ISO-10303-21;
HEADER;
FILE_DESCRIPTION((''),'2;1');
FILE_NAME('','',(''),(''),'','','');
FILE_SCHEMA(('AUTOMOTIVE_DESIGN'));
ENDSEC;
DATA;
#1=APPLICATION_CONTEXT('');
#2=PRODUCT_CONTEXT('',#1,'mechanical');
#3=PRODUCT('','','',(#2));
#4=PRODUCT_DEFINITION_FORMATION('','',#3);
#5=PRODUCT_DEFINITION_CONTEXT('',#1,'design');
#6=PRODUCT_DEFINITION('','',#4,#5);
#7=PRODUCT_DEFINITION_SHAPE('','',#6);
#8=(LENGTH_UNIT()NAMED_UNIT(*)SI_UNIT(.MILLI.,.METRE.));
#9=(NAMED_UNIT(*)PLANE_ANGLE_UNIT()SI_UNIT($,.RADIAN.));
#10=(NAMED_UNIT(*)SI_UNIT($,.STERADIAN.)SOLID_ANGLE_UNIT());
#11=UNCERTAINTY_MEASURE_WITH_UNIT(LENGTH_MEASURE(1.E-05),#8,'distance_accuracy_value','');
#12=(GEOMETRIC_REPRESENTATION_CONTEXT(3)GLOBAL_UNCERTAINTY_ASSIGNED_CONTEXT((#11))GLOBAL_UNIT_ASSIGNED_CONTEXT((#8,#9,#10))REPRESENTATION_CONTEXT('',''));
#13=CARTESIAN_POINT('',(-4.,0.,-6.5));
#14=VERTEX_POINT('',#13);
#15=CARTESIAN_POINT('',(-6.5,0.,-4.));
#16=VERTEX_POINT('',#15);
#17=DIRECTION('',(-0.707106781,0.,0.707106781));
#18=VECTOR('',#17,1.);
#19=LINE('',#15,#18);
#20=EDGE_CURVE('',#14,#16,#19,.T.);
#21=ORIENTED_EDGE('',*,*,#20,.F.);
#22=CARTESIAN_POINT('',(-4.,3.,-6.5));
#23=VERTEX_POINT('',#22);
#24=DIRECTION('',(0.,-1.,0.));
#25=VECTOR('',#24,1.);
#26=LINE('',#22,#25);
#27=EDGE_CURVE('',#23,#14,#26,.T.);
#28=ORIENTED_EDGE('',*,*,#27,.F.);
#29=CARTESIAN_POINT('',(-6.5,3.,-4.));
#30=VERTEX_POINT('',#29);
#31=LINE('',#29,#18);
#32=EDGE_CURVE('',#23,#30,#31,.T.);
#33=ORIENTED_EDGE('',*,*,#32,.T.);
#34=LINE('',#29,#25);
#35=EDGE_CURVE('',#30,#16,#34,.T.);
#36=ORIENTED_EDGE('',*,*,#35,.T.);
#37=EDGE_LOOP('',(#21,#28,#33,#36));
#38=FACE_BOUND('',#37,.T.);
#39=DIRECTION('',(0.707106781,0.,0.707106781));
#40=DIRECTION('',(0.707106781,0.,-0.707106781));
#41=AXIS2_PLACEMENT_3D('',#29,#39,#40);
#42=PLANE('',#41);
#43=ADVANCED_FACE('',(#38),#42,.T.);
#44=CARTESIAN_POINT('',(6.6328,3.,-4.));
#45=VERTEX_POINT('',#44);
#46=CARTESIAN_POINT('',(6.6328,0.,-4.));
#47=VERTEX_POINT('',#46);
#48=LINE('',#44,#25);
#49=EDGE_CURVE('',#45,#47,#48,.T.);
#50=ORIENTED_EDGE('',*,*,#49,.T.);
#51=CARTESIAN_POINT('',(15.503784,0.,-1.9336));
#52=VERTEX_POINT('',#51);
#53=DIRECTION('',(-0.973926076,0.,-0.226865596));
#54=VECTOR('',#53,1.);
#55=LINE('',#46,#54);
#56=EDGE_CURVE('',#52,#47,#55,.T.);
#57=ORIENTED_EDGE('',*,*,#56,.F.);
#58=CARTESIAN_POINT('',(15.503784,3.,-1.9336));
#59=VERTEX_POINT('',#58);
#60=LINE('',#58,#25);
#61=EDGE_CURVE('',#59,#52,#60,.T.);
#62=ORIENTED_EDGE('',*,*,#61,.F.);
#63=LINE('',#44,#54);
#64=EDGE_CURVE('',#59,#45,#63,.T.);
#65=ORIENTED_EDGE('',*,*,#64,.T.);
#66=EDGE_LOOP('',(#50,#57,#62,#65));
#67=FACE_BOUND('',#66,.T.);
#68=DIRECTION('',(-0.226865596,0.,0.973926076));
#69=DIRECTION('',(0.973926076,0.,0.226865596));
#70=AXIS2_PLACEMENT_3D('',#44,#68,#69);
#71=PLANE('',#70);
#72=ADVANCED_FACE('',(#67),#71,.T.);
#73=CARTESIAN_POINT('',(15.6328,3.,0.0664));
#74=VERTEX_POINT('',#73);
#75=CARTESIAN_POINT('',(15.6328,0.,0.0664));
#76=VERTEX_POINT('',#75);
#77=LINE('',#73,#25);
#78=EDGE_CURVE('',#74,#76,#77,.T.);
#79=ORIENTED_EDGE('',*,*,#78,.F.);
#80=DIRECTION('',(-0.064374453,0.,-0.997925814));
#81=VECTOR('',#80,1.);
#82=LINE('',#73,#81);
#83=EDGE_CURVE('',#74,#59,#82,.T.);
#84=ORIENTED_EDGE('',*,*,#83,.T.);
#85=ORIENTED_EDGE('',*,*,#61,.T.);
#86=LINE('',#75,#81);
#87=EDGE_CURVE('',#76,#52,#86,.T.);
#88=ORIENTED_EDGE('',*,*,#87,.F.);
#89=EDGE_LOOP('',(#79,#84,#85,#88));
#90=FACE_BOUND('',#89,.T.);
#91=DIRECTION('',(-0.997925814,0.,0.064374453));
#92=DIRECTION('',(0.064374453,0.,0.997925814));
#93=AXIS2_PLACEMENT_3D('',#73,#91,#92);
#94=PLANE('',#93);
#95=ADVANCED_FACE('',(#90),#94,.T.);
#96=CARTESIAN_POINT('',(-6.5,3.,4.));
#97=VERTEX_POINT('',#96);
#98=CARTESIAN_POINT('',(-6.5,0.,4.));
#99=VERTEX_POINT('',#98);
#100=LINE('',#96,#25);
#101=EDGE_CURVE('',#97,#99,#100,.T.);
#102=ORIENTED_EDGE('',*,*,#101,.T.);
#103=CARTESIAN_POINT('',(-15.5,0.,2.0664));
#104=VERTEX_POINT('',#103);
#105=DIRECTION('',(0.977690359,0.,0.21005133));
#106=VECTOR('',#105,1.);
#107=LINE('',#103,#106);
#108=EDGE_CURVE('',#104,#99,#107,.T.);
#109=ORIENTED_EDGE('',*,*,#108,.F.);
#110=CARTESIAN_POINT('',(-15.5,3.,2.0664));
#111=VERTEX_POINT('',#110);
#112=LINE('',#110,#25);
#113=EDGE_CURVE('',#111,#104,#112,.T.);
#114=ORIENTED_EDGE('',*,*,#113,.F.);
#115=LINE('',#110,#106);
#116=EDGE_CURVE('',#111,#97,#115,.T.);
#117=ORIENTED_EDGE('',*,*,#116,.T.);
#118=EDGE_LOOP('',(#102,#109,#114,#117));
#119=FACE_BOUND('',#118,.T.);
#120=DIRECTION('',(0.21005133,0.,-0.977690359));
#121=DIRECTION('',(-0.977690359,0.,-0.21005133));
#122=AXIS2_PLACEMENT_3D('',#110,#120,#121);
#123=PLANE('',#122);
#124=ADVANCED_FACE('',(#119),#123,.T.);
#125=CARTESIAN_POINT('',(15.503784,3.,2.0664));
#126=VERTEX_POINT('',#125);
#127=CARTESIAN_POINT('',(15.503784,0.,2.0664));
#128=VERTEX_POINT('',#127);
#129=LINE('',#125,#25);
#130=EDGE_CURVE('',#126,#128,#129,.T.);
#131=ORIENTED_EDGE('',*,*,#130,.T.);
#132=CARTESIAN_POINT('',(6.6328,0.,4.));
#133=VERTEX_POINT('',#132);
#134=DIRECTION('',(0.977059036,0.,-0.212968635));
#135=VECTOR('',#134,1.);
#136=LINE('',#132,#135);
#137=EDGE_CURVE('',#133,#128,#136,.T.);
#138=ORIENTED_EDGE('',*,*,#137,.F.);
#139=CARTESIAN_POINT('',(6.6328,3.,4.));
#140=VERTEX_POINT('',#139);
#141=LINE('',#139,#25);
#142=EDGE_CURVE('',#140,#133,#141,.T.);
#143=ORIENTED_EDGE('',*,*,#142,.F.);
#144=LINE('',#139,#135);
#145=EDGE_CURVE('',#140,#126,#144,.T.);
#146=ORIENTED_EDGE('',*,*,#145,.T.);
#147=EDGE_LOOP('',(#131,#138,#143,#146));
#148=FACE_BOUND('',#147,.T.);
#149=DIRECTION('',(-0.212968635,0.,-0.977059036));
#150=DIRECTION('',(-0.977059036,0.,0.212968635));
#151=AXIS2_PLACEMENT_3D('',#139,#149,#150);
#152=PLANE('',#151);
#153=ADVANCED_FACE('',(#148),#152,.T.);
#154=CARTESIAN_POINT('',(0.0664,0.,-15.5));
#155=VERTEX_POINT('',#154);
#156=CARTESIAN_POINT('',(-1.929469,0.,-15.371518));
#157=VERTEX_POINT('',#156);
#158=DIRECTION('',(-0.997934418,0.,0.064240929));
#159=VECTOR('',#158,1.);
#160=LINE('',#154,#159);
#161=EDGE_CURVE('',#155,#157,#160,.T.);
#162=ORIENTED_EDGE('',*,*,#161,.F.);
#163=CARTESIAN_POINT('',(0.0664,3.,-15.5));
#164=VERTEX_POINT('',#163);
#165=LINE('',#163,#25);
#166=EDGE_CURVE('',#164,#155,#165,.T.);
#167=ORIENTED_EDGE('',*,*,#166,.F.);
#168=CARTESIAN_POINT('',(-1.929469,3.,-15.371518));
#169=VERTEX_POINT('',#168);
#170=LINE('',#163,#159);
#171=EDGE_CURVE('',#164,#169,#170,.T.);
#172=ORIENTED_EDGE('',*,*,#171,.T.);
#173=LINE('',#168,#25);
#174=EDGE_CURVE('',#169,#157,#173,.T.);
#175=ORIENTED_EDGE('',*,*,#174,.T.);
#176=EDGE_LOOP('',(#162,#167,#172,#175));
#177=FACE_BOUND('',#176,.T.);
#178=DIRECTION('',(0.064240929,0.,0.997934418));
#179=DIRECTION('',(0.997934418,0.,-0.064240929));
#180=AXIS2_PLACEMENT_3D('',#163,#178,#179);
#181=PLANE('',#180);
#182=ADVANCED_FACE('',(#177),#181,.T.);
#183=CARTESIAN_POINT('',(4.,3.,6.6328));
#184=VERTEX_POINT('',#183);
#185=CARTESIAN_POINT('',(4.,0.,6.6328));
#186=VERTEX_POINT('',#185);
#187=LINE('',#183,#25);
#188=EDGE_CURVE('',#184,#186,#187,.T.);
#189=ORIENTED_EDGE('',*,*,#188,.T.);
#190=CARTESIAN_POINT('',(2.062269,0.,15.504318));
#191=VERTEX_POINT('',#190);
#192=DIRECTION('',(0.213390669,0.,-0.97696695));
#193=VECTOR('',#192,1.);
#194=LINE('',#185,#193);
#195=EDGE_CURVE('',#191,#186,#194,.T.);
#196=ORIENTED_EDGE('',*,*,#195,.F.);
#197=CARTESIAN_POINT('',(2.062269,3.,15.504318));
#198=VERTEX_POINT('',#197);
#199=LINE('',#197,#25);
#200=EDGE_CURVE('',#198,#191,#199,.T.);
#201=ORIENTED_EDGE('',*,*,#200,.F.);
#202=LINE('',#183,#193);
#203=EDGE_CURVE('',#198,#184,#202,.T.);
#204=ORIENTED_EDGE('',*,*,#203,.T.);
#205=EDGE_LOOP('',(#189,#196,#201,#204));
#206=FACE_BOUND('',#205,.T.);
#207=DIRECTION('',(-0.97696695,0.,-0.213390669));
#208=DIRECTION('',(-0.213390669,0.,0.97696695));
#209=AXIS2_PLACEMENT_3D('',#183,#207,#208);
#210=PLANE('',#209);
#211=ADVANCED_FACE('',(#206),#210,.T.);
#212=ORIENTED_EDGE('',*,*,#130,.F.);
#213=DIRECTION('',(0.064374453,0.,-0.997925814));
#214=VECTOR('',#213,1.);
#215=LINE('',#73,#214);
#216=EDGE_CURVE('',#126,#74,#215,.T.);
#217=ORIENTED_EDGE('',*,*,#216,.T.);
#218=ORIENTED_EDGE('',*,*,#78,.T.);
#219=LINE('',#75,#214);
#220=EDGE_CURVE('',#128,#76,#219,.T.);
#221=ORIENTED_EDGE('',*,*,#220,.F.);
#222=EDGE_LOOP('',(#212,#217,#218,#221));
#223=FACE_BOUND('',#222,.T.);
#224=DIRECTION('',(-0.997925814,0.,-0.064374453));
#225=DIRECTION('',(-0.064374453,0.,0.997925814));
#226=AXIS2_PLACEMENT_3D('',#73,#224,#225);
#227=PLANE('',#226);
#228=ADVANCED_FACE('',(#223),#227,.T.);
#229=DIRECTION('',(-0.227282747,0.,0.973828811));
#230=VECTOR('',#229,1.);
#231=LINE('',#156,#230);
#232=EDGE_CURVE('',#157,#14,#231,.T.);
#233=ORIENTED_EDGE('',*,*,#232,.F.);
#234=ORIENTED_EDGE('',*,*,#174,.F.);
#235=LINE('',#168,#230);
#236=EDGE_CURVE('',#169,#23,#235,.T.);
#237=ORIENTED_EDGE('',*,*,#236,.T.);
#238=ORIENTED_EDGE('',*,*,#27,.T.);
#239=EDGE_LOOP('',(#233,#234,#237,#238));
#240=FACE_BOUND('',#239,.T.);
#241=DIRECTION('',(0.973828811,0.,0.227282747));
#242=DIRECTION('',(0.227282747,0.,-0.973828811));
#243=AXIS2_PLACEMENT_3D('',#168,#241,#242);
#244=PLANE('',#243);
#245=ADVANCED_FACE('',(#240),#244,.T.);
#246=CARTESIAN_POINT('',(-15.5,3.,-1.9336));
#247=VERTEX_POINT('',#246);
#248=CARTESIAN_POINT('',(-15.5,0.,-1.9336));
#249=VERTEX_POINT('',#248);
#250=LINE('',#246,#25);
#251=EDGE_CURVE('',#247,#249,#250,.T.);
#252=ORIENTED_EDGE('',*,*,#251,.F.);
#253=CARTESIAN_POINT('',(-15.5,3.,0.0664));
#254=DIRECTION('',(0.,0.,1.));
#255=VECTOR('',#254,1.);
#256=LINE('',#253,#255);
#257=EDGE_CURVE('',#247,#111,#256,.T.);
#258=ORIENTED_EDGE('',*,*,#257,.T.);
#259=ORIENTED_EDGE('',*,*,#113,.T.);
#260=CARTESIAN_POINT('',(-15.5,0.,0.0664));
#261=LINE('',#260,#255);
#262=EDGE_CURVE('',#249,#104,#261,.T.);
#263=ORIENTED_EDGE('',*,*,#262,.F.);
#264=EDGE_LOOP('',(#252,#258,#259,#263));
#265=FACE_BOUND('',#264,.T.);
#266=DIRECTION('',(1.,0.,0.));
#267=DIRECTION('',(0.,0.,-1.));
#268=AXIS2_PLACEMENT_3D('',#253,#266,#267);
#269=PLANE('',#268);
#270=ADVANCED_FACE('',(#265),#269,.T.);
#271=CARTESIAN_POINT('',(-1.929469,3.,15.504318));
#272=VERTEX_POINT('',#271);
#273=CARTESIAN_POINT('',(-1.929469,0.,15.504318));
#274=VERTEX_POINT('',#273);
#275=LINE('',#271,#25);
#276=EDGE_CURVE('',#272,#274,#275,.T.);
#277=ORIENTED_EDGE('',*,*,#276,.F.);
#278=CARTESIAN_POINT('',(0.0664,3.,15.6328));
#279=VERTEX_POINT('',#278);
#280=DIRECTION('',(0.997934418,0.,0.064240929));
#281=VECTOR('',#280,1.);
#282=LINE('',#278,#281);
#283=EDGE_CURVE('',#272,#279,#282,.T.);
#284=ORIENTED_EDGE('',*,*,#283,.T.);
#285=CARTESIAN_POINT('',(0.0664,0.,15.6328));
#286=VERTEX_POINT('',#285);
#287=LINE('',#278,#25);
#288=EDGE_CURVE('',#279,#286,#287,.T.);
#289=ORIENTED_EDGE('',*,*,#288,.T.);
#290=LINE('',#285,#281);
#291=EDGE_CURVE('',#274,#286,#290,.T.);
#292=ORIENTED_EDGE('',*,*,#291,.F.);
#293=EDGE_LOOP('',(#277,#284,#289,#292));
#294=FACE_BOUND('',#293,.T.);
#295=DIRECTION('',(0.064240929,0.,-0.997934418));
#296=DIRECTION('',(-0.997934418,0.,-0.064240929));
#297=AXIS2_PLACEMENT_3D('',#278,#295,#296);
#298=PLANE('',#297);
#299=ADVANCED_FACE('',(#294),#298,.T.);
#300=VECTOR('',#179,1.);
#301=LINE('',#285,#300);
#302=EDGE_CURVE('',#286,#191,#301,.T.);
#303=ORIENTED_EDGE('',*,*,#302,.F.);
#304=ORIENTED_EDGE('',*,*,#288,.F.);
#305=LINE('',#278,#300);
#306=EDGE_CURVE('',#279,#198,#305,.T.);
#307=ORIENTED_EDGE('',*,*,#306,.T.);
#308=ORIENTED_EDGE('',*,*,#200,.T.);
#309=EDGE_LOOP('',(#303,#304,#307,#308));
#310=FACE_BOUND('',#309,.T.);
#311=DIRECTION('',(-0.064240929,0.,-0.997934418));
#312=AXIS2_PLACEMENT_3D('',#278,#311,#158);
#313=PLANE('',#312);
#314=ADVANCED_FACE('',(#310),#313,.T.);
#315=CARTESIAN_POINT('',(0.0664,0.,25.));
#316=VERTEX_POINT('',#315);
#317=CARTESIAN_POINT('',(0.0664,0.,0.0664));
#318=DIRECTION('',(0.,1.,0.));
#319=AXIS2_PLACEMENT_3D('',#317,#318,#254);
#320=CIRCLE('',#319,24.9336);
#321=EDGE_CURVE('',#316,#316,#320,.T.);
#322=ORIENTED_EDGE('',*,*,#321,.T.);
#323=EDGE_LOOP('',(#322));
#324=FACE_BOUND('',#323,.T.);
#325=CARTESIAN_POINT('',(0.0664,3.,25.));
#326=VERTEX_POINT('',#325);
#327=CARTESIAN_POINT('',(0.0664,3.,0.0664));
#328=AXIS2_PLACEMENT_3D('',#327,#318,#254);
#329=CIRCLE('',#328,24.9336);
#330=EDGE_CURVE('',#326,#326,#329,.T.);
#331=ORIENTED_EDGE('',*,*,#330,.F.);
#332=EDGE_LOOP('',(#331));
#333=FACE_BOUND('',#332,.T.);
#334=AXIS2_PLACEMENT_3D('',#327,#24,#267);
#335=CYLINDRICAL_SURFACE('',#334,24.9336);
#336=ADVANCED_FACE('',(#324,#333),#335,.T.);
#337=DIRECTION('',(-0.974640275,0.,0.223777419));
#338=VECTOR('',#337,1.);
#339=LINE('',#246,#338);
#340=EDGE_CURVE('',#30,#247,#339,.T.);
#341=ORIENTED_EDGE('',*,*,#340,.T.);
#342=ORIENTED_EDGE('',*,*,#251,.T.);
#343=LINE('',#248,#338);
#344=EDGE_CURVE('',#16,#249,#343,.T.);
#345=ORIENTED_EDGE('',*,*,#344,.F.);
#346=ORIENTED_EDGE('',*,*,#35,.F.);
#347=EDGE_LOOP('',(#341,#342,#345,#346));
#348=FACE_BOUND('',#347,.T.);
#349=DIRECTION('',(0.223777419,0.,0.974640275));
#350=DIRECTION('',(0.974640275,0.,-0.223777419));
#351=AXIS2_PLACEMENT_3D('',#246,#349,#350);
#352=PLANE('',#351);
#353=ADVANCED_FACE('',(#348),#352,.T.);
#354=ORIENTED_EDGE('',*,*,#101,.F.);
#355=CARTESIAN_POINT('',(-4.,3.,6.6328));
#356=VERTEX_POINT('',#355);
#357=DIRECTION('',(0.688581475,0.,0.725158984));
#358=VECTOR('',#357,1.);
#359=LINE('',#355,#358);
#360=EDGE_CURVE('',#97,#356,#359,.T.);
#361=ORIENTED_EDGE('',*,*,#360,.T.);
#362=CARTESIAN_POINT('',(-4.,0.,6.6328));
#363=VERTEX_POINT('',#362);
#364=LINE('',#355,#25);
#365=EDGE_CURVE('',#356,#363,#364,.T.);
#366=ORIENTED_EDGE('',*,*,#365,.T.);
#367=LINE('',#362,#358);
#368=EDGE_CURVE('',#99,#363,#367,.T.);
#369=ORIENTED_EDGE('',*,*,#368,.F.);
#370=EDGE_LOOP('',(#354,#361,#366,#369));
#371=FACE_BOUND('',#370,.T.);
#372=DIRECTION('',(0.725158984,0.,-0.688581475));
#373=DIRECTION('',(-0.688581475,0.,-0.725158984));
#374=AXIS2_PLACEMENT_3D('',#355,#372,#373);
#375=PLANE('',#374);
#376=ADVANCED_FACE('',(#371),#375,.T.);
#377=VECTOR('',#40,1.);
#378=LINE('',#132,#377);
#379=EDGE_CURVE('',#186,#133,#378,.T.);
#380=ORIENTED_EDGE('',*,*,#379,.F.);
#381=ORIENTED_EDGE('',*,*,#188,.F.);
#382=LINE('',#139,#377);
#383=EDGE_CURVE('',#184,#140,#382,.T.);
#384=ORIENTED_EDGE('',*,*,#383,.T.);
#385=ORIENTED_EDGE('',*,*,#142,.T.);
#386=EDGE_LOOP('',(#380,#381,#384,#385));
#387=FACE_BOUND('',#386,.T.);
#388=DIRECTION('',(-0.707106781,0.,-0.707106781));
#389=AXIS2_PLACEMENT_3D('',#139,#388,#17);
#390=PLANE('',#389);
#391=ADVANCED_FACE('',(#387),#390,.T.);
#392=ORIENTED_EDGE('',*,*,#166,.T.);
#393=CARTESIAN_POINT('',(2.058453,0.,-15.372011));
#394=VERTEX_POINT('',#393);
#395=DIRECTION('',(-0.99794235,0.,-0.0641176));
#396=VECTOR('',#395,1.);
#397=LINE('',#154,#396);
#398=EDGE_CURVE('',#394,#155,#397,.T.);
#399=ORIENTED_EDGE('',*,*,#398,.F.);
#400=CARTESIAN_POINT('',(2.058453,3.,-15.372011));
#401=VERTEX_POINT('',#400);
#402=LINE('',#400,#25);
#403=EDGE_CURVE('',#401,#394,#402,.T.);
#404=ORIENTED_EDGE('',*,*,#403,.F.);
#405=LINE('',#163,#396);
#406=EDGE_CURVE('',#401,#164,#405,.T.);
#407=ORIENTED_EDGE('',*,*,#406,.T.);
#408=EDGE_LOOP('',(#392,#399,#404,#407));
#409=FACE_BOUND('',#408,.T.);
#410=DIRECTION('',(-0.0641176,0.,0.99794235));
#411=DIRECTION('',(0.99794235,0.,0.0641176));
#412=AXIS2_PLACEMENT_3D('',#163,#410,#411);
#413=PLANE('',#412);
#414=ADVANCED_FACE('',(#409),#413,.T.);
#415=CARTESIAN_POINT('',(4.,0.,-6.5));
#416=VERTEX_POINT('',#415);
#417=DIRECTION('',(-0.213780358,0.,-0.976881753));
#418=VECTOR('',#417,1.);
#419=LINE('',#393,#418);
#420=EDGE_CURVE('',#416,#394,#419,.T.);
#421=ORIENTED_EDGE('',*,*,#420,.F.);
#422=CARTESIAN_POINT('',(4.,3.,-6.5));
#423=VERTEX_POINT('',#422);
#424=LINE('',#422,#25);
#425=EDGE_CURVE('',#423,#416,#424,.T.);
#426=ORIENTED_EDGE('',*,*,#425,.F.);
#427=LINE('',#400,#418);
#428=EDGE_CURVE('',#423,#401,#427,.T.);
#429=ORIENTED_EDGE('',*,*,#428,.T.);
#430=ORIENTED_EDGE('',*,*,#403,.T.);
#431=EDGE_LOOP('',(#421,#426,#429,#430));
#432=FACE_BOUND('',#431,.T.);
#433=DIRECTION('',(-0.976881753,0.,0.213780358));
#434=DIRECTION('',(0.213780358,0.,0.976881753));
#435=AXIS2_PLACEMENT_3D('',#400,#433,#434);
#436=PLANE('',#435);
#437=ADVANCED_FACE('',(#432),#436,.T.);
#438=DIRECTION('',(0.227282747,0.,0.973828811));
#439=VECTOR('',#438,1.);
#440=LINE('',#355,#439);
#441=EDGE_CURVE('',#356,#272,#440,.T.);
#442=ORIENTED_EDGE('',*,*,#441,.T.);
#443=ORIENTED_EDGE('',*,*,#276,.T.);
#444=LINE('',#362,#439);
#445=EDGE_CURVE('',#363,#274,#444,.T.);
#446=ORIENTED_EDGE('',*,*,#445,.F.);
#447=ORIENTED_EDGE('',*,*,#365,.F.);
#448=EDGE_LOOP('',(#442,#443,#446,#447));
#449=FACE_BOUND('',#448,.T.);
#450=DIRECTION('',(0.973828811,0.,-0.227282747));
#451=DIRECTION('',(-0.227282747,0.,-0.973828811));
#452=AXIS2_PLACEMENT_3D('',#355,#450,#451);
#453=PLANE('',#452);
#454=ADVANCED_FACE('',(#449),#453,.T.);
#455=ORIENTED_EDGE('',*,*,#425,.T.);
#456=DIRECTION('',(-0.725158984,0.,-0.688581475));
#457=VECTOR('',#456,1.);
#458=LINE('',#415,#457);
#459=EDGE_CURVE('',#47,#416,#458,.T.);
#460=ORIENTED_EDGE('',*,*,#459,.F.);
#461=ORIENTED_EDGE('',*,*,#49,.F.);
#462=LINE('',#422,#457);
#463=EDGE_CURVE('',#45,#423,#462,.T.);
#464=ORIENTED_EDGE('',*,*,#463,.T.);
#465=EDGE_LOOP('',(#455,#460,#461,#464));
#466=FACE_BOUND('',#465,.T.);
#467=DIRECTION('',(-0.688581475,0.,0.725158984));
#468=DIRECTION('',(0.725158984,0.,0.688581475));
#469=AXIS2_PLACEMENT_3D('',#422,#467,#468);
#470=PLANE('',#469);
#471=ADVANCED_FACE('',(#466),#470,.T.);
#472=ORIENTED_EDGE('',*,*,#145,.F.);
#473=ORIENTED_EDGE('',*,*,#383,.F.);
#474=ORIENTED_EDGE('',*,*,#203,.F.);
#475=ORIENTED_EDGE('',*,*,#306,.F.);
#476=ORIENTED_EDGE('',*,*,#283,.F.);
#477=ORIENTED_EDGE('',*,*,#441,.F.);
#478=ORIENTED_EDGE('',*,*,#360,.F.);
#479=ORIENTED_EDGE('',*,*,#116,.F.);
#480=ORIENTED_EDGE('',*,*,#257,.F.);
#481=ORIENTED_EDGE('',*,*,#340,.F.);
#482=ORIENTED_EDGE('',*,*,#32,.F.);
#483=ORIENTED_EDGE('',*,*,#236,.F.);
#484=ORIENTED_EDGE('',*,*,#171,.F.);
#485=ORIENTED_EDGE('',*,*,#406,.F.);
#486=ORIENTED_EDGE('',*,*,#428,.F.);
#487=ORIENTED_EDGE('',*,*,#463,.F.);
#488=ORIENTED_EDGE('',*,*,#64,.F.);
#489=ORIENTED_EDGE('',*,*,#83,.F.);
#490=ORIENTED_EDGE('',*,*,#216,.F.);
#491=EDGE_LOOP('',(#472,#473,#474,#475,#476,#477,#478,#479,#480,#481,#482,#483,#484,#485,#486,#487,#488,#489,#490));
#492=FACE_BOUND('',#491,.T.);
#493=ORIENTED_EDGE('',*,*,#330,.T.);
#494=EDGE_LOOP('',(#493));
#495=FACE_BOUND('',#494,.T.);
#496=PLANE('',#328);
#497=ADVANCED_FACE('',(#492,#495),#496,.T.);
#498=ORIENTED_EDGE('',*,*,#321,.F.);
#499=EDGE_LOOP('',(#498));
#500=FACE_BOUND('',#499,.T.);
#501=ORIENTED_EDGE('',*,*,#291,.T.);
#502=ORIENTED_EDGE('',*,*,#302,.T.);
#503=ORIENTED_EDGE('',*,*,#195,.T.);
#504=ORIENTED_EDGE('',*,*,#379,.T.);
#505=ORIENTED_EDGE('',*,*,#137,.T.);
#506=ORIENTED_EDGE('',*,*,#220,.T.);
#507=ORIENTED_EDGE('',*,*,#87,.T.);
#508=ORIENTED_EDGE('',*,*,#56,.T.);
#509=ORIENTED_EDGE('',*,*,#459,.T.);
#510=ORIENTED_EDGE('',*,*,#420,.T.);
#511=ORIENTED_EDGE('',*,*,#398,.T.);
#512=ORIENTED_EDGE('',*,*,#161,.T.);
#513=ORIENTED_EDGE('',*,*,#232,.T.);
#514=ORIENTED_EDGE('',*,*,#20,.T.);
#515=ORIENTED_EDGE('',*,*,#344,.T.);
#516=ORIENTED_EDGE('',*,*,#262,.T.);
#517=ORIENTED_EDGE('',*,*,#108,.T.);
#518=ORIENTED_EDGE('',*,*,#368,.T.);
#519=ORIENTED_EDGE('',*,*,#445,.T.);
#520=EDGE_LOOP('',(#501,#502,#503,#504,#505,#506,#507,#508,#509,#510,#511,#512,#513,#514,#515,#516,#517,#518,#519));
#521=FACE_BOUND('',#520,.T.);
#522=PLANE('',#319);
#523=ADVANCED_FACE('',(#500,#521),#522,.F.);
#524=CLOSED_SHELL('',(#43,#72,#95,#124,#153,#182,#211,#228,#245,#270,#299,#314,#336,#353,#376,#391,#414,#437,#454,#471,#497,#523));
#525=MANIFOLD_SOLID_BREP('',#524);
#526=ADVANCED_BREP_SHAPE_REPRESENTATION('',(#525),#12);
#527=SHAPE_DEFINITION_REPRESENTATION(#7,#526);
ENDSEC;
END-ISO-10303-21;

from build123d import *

# Parameters (mm, degrees)
SKETCH1_R           = 24.933599888
BOSS_EXTRUDE1_DEPTH = 3


with BuildPart() as part:
    # Sketch1 → Boss-Extrude1 (new body)
    with BuildSketch(Plane(origin=(0, 0, 0), x_dir=(1, 0, 0), z_dir=(0, 1, 0))):
        with Locations((0.066400112, -0.066400112)):
            Circle(SKETCH1_R)
        Polygon((-15.5, -0.066400112), (-15.5, 1.933599888), (-6.5, 4), (-4, 6.5), (-1.929468724, 15.371518143), (0.066400112, 15.5), (2.058453157, 15.372010982), (4, 6.5), (6.632800224, 4), (15.503783714, 1.933599888), (15.632800224, -0.066400112), (15.503783714, -2.066400112), (6.632800224, -4), (4, -6.632800224), (2.062268949, -15.504318367), (0.066400112, -15.632800224), (-1.929468724, -15.504318367), (-4, -6.632800224), (-6.5, -4), (-15.5, -2.066400112), align=None, mode=Mode.SUBTRACT)
    extrude(amount=BOSS_EXTRUDE1_DEPTH)


solid = part.part
